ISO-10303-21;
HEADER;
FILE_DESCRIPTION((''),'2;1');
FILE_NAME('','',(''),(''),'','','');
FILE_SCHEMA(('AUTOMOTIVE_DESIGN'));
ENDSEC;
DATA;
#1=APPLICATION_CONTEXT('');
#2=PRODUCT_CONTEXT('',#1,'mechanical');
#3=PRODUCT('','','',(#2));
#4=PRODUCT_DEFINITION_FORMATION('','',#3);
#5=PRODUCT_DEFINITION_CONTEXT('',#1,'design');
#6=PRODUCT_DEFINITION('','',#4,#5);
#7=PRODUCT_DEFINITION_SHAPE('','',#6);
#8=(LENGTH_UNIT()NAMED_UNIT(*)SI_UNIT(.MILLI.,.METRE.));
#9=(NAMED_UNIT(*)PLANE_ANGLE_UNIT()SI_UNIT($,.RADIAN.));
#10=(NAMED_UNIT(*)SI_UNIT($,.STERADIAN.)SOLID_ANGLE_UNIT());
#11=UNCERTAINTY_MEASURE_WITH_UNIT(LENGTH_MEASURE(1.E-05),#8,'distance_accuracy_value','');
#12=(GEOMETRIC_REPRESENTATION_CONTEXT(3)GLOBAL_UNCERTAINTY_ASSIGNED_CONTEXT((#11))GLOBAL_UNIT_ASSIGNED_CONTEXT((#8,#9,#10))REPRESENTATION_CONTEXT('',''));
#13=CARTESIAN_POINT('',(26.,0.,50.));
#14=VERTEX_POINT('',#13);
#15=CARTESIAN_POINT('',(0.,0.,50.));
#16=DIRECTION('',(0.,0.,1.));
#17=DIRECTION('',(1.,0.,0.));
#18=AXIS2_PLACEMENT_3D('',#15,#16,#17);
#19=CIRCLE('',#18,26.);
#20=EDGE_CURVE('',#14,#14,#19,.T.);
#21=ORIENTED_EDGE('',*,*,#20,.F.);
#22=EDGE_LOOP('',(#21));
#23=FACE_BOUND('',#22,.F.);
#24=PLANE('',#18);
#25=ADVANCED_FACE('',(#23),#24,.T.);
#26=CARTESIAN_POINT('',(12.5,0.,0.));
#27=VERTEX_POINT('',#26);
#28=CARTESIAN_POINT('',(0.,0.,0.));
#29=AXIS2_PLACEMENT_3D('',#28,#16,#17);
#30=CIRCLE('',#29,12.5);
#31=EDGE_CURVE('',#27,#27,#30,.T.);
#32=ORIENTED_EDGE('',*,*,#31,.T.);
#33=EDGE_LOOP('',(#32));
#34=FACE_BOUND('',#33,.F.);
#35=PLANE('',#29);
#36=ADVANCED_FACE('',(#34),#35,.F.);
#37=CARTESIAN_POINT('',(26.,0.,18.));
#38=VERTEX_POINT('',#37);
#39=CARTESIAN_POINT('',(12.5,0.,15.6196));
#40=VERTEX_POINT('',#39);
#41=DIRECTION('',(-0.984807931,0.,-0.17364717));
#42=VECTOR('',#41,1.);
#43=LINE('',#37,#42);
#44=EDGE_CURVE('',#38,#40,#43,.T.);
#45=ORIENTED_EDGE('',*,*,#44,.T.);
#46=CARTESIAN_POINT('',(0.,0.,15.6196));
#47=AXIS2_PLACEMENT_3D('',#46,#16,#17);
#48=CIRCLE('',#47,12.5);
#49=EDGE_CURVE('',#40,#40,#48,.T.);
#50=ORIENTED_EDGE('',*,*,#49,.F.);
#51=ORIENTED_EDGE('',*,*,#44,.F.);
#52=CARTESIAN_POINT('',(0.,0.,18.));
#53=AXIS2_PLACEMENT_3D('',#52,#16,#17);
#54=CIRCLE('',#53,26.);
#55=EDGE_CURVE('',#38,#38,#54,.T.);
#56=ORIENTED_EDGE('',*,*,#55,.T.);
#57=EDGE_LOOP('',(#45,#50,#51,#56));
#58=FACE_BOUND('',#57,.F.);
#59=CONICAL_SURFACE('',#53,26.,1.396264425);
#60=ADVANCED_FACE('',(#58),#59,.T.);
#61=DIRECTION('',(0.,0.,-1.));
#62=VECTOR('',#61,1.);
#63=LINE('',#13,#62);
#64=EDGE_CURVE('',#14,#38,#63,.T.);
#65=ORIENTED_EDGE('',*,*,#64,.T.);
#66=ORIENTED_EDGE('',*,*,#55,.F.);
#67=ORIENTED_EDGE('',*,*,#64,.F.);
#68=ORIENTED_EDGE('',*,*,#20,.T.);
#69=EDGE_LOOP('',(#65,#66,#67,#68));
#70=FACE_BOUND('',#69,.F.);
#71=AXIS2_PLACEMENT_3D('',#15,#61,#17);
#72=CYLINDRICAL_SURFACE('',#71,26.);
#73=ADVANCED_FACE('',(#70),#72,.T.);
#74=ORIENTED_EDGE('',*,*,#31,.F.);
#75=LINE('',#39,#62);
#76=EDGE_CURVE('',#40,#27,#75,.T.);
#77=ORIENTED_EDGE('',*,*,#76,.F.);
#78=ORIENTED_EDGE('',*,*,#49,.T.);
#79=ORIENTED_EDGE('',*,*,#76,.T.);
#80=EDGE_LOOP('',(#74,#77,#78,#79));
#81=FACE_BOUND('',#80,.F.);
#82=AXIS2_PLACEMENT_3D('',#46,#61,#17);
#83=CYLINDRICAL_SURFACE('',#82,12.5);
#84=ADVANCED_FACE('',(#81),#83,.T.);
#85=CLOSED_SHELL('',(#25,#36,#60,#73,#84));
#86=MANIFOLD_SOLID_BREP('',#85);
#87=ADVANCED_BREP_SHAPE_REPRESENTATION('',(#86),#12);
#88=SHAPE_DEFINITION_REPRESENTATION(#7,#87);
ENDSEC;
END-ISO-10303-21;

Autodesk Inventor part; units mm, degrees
ref_plane "YZ Plane" through (0, 0, 0) normal (1, 0, 0) x (0, 1, 0)
ref_plane "XZ Plane" through (0, 0, 0) normal (0, 1, 0) x (-1, 0, 0)
ref_plane "XY Plane" through (0, 0, 0) normal (0, 0, 1) x (1, 0, 0)
sketch "Sketch1" plane through (0, 0, 0) normal (0, 1, 0) x (-1, 0, 0)
  line L0 (0, 0) -> (0, 50)
  line L1 (0, 50) -> (-26, 50)
  line L2 (-26, 50) -> (-26, 18)
  line L3 (-26, 18) -> (-12.5, 15.6196)
  line L4 (-12.5, 15.6196) -> (-12.5, 0)
  line L5 (-12.5, 0) -> (0, 0)
  dimension "d0" = 50
  dimension "d1" = 52
  dimension "d2" = 25
  dimension "d3" = 32
  dimension "d4" = 100
revolve "Revolution1" add sketch "Sketch1" angle 360 about axis through (0, 0, 0) along (0, 0, 1)
properties part number "ANP dummy filter element"
